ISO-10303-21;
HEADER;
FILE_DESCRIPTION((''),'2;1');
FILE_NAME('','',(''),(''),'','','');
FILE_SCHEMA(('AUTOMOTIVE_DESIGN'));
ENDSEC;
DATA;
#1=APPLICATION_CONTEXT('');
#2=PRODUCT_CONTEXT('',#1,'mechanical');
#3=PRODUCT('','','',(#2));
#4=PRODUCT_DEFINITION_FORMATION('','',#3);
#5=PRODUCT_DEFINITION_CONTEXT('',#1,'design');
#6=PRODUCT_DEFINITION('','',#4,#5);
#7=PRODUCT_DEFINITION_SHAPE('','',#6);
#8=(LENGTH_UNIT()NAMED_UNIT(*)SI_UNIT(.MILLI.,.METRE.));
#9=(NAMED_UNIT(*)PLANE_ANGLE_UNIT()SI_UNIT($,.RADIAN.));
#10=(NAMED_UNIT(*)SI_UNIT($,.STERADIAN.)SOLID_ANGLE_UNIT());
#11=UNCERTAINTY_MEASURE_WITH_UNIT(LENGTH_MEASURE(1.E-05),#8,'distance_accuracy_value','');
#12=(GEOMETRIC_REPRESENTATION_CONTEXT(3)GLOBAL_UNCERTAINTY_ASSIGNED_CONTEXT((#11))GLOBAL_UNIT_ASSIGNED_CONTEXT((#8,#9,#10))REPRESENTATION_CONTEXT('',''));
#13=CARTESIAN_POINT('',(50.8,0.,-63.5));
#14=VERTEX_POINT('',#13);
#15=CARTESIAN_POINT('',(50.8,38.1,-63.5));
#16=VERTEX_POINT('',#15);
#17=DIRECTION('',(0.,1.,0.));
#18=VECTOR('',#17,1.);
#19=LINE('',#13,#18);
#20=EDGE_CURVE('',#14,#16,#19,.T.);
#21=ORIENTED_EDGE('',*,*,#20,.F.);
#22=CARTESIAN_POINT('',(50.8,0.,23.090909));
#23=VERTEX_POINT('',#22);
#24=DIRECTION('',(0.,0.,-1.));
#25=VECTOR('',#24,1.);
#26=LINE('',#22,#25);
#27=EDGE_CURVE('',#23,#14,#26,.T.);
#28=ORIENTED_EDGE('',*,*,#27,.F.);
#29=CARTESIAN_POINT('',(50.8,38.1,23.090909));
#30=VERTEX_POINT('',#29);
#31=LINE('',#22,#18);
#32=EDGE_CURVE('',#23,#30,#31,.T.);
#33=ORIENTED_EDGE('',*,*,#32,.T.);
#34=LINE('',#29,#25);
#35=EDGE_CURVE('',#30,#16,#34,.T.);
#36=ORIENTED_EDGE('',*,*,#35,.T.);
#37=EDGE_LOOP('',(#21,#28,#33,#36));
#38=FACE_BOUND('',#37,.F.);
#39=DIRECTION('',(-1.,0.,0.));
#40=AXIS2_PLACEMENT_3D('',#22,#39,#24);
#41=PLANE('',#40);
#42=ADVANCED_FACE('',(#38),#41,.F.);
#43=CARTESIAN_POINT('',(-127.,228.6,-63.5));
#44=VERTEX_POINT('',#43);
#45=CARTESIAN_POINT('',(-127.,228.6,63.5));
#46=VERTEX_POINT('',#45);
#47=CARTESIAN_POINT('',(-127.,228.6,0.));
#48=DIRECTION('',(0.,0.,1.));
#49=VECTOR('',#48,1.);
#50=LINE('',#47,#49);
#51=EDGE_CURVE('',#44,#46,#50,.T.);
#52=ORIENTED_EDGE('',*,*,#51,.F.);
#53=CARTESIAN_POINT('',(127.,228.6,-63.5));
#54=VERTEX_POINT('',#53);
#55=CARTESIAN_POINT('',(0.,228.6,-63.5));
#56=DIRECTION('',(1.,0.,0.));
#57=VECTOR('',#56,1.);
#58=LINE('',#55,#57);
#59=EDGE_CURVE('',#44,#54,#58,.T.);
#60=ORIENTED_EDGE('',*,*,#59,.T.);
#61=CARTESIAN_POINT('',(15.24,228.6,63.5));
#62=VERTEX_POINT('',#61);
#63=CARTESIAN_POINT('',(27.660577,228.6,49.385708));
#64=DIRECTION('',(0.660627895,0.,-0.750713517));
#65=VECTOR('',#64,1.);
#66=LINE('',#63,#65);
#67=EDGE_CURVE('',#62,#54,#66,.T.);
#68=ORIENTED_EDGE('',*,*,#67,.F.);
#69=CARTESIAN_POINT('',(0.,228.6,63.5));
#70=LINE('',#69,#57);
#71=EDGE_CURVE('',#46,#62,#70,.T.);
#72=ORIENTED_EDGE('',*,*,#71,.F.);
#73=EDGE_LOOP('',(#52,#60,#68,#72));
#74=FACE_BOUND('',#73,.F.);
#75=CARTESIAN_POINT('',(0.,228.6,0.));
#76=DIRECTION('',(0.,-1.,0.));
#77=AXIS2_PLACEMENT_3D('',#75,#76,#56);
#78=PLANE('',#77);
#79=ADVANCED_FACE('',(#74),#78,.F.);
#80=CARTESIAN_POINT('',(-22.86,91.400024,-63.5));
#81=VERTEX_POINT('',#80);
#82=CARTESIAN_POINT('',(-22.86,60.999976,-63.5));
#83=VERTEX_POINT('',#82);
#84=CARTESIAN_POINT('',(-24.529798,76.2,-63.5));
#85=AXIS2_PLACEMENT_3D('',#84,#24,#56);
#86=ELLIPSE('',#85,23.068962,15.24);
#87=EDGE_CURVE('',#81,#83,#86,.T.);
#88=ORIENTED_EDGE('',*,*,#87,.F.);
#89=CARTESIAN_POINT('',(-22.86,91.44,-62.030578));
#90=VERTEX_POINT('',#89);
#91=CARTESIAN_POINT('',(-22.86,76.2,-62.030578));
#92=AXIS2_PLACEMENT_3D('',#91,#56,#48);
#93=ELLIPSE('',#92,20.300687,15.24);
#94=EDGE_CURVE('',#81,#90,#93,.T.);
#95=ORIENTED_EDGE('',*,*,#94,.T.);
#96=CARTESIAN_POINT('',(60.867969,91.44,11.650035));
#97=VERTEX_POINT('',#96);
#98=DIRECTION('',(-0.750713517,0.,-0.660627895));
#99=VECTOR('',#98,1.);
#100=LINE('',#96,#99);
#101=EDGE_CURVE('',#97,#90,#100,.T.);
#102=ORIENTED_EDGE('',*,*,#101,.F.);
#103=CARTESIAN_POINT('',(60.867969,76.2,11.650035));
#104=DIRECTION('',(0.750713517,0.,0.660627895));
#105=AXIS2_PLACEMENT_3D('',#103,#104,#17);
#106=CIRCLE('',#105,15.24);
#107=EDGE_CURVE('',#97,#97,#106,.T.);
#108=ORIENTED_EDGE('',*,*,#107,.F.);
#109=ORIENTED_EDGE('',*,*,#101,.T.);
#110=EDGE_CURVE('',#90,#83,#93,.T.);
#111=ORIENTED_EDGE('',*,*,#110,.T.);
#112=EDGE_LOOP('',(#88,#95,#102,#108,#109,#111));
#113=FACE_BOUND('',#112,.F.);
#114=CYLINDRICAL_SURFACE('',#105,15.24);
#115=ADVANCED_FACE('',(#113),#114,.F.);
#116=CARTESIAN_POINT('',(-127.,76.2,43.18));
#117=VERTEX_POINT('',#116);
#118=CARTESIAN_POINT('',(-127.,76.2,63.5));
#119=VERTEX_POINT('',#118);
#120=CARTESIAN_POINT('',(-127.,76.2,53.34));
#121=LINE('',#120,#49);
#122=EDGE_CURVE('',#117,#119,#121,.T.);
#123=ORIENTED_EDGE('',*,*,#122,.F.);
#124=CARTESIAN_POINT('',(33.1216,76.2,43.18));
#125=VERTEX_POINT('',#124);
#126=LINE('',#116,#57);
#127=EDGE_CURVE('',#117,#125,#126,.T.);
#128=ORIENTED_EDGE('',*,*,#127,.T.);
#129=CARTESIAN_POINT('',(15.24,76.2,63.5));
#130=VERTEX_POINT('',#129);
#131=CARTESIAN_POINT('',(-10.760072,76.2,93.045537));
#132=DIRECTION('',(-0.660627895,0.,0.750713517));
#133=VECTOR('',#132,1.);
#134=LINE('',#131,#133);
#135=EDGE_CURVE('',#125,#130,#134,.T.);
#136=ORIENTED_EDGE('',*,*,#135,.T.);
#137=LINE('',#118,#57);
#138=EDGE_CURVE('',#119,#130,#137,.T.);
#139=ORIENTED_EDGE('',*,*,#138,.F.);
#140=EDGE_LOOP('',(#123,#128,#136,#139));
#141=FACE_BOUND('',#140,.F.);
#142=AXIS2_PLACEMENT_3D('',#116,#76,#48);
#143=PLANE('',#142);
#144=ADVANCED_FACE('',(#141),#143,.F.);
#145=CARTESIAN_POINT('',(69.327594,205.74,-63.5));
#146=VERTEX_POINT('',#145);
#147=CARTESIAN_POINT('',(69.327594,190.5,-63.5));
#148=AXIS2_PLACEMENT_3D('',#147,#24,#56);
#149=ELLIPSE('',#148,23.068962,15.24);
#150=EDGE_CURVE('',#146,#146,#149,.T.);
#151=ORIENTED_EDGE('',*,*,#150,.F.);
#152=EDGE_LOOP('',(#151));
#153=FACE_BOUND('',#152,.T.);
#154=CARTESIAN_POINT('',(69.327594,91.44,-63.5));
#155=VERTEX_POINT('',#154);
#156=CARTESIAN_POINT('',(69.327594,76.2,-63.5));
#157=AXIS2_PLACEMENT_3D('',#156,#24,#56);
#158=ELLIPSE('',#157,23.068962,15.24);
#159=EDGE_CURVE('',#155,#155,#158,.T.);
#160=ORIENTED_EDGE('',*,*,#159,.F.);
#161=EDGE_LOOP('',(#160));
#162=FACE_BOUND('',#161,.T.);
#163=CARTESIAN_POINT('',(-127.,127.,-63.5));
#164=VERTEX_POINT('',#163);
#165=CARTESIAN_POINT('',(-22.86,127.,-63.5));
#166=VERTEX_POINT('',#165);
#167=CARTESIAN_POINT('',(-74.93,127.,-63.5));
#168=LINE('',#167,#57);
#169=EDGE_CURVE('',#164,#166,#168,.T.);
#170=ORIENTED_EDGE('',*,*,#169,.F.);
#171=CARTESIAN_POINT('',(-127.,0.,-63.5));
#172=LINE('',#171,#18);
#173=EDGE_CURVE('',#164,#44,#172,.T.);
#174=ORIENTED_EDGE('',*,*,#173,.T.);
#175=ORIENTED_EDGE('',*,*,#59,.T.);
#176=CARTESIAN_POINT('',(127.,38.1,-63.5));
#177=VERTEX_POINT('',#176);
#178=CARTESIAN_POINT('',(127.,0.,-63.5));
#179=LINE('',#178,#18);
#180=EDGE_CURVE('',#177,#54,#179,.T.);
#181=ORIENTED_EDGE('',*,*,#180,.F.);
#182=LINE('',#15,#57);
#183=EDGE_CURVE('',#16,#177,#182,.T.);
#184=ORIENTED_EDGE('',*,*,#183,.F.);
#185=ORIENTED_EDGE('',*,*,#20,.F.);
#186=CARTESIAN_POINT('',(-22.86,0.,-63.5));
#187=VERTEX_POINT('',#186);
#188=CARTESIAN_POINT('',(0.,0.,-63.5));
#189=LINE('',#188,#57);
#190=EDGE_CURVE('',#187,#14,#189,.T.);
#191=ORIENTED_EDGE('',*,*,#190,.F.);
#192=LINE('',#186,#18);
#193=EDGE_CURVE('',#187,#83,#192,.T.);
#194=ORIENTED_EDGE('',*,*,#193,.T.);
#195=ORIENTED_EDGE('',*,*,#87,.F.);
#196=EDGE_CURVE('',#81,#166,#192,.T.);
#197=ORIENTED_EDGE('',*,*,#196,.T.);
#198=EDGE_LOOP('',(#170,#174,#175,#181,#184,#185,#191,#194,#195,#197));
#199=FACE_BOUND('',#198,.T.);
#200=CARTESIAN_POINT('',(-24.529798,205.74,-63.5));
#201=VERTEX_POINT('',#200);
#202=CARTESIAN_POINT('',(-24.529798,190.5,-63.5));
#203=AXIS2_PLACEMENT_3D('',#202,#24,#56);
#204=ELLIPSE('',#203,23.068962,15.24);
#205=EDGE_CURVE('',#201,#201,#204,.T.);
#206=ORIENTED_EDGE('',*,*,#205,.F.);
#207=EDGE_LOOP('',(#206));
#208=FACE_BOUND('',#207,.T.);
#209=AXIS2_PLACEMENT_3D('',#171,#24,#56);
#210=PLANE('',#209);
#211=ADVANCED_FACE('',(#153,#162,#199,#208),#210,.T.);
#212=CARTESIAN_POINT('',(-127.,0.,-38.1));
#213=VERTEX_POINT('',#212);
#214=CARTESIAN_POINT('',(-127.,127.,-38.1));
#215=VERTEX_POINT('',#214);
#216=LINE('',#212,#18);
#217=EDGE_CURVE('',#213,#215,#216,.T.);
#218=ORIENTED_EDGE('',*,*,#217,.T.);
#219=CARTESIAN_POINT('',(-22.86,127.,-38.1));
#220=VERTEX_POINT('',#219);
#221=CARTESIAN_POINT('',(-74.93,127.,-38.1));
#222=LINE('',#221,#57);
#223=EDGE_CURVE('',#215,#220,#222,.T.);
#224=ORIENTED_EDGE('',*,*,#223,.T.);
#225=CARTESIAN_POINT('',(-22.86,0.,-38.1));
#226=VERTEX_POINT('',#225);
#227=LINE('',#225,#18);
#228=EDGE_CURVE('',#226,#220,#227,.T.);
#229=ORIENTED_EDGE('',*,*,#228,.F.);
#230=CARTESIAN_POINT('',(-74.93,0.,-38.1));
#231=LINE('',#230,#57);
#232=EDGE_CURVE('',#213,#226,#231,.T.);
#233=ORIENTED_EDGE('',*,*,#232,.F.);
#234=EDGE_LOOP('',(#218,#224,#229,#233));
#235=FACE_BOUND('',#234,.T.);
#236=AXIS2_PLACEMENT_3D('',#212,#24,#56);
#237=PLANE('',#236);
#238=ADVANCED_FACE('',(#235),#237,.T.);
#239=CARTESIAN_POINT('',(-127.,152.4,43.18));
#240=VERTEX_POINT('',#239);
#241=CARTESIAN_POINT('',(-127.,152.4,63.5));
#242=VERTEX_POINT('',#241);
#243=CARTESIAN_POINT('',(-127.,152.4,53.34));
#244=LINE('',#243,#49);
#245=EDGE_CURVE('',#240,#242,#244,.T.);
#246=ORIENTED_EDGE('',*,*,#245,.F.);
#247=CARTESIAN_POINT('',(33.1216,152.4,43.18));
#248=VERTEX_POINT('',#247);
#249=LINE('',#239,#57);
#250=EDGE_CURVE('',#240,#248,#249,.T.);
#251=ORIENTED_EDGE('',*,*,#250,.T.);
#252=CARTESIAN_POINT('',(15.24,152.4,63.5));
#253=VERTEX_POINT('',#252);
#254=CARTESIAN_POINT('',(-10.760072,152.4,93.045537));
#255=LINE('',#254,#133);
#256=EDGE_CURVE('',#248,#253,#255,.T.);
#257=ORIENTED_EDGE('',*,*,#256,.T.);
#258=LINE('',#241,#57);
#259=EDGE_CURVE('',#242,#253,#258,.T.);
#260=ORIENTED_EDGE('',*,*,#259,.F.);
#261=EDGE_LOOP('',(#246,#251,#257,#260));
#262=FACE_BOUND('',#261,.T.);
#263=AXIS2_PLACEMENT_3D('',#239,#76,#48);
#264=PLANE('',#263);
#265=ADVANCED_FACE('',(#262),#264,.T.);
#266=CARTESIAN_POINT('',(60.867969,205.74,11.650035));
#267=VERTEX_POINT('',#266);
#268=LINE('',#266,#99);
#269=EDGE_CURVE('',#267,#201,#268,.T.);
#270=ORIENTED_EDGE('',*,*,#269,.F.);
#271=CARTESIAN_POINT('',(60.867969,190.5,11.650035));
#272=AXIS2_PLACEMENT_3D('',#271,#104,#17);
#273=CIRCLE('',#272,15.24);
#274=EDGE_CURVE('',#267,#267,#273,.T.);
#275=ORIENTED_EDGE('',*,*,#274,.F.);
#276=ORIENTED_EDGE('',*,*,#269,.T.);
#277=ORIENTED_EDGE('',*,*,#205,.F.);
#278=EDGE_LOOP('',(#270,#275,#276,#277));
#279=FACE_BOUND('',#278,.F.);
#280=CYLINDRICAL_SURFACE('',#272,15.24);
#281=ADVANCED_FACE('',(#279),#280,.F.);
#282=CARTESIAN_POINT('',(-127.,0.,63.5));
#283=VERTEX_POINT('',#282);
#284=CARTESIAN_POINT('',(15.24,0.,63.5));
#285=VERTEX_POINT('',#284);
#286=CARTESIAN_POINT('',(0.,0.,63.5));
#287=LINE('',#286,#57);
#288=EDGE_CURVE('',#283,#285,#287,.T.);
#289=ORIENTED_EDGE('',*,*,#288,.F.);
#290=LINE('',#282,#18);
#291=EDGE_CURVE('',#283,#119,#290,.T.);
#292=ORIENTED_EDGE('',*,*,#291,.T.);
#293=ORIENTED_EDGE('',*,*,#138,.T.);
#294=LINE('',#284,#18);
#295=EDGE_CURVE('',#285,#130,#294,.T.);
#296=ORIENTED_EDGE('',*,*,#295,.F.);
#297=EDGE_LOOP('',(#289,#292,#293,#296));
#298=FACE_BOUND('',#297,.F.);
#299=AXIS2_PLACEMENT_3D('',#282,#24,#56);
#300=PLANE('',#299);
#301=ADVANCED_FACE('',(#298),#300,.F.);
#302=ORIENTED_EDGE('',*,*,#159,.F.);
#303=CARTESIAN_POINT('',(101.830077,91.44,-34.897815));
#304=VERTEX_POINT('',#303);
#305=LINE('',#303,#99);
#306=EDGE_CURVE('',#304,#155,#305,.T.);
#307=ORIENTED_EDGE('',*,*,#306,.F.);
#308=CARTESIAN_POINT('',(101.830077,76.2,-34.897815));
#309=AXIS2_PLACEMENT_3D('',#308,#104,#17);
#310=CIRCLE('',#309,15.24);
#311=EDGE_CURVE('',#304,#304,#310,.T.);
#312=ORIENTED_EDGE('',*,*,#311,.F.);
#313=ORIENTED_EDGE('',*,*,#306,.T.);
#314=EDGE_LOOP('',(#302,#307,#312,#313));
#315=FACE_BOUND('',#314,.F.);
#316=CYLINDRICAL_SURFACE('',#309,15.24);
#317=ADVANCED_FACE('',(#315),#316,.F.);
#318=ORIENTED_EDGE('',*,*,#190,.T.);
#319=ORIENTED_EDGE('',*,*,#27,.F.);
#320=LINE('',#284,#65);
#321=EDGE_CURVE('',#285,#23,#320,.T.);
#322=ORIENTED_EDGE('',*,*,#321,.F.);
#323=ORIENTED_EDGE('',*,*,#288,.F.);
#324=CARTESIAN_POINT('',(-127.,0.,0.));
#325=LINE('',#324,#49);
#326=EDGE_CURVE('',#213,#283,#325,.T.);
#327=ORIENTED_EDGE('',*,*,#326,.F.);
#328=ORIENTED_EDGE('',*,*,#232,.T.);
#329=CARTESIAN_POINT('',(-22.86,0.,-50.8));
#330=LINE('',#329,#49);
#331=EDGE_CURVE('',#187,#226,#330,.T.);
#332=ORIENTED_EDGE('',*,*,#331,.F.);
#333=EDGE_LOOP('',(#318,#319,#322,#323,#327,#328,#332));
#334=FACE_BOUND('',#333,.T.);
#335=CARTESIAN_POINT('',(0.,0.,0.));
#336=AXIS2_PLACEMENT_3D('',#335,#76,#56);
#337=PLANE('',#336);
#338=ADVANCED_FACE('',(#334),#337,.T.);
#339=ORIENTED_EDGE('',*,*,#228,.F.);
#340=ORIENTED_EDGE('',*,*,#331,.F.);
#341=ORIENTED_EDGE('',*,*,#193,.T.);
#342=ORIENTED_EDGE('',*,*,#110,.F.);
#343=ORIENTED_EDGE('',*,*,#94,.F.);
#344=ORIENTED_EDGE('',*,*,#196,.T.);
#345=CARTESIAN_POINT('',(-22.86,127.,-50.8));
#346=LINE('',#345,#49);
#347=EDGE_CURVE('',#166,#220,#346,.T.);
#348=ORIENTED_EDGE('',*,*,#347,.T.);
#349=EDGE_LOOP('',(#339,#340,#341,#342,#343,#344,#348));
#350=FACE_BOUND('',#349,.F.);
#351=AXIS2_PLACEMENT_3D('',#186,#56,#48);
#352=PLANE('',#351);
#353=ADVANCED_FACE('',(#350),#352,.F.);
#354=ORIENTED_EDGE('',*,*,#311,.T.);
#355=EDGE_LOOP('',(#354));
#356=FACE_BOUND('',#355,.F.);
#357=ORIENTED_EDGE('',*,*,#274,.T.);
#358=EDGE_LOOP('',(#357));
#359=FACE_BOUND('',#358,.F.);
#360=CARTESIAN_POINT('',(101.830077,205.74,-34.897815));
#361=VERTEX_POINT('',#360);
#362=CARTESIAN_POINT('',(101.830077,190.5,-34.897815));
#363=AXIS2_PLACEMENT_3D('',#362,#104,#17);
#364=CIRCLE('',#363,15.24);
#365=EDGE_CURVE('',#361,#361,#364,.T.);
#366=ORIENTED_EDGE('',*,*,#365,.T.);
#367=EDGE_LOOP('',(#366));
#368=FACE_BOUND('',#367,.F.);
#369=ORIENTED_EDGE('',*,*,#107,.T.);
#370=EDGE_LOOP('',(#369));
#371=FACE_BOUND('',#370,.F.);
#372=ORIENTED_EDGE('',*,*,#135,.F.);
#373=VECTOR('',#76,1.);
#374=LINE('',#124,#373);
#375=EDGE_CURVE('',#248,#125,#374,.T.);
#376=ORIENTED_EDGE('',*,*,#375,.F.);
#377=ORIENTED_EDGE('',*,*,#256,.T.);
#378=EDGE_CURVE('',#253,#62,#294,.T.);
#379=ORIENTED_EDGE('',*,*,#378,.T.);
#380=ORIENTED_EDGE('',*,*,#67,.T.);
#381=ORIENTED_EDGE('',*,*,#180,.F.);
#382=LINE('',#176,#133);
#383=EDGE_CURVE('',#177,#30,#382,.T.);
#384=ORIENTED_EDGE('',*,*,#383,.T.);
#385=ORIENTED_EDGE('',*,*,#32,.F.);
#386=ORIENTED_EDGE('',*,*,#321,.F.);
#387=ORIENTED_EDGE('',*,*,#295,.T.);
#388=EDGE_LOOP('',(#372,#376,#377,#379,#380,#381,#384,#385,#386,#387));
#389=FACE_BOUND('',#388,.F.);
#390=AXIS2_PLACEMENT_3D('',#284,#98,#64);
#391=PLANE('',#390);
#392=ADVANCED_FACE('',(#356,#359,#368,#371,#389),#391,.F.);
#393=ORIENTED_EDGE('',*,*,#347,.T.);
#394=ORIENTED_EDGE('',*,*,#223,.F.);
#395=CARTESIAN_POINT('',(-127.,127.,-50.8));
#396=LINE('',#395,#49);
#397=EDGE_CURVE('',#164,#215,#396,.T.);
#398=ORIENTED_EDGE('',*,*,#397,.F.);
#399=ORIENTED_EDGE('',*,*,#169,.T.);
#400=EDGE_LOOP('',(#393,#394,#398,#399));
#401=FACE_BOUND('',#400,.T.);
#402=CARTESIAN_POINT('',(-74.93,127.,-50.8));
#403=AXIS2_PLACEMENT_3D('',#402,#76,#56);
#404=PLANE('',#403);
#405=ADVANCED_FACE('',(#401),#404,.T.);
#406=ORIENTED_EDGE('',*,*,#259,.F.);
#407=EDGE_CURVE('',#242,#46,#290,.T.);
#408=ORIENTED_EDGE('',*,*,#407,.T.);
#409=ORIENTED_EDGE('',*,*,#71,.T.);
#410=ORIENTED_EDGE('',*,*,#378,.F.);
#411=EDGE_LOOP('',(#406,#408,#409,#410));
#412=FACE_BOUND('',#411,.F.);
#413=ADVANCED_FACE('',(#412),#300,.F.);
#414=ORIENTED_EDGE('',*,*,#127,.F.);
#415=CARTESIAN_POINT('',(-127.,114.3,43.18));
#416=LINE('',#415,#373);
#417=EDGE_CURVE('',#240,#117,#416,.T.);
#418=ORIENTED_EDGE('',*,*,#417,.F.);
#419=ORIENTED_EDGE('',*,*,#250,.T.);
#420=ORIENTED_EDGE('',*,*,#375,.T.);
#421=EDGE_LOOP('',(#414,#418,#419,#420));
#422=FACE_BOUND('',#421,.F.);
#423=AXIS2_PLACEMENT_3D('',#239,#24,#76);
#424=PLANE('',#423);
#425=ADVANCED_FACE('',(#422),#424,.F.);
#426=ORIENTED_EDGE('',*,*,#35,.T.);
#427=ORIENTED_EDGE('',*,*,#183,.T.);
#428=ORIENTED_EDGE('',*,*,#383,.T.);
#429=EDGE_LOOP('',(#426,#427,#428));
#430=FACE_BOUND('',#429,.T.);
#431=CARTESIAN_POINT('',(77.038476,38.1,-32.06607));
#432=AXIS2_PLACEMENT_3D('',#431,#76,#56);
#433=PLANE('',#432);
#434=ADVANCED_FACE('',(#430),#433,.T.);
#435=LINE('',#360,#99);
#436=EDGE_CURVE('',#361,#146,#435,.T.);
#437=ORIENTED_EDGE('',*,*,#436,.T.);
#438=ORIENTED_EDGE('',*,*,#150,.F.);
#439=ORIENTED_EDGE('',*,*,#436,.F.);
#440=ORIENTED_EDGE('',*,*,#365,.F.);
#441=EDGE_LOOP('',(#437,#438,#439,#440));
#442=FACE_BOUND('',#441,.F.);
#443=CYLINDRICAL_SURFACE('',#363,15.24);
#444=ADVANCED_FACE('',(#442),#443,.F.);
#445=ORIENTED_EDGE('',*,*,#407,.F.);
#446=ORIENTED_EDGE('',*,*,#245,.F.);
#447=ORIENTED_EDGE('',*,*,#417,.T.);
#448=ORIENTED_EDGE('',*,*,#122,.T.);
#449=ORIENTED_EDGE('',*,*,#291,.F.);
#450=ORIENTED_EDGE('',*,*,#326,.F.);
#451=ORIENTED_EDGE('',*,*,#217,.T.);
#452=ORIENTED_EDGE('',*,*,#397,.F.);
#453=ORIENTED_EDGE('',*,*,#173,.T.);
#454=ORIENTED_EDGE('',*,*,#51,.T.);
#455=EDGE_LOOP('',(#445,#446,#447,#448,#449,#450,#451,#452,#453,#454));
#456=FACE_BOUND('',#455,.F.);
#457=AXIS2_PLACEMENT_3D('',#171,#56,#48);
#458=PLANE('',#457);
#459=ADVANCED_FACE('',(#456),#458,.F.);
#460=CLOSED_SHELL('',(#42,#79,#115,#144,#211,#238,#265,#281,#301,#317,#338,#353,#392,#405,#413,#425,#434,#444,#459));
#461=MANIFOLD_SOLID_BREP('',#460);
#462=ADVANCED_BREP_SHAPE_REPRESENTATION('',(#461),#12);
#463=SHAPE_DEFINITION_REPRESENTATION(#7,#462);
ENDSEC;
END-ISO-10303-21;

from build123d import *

# Parameters (mm, degrees)
F0_W      = 254
F0_H      = 127
F1_DEPTH  = 228.6
F3_DEPTH  = 1270
F5_DEPTH  = 38.1
F6_W      = 104.14
F6_H      = 25.4
F7_DEPTH  = 127
F8_R      = 15.24
F9_DEPTH  = 1270
F10_W     = 76.2
F10_H     = 20.32
F11_DEPTH = 1270


with BuildPart() as f1:
    # F0 (on Front) → F1 (new body)
    with BuildSketch(Plane.XZ):
        Rectangle(F0_W, F0_H)
    extrude(amount=-F1_DEPTH)

    # F2 (on face) → F3 (cut)
    with BuildSketch(Plane.XZ):
        Polygon((127, 63.5), (15.24, 63.5), (127, -63.5), align=None)
    extrude(amount=-F3_DEPTH, mode=Mode.SUBTRACT)

    # F4 (on face) → F5 (cut)
    with BuildSketch(Plane.XZ):
        Polygon((50.8, -63.5), (127, -63.5), (50.8, 23.0909090909), align=None)
    extrude(amount=-F5_DEPTH, mode=Mode.SUBTRACT)

    # F6 (on face) → F7 (cut)
    with BuildSketch(Plane.XZ):
        with Locations((-74.93, -50.8)):
            Rectangle(F6_W, F6_H)
    extrude(amount=-F7_DEPTH, mode=Mode.SUBTRACT)

    # F8 (on face) → F9 (cut)
    with BuildSketch(Plane(origin=(40.081154193, 0, 35.2714156898), x_dir=(0, 1, 0), z_dir=(0.7507135169, 0, 0.6606278949))):
        with Locations((76.2, -31.4652394879)):
            Circle(F8_R)
        with Locations((190.5, -31.4652394879)):
            Circle(F8_R)
        with Locations((190.5, -93.4700509759)):
            Circle(F8_R)
        with Locations((76.2, -93.4700509759)):
            Circle(F8_R)
    extrude(amount=-F9_DEPTH, mode=Mode.SUBTRACT)

    # F10 (on face) → F11 (cut)
    with BuildSketch(Plane(origin=(-127, 0, 0), x_dir=(0, -1, 0), z_dir=(-1, 0, 0))):
        with Locations((-114.3, 53.34)):
            Rectangle(F10_W, F10_H)
    extrude(amount=-F11_DEPTH, mode=Mode.SUBTRACT)


solid = f1.part
